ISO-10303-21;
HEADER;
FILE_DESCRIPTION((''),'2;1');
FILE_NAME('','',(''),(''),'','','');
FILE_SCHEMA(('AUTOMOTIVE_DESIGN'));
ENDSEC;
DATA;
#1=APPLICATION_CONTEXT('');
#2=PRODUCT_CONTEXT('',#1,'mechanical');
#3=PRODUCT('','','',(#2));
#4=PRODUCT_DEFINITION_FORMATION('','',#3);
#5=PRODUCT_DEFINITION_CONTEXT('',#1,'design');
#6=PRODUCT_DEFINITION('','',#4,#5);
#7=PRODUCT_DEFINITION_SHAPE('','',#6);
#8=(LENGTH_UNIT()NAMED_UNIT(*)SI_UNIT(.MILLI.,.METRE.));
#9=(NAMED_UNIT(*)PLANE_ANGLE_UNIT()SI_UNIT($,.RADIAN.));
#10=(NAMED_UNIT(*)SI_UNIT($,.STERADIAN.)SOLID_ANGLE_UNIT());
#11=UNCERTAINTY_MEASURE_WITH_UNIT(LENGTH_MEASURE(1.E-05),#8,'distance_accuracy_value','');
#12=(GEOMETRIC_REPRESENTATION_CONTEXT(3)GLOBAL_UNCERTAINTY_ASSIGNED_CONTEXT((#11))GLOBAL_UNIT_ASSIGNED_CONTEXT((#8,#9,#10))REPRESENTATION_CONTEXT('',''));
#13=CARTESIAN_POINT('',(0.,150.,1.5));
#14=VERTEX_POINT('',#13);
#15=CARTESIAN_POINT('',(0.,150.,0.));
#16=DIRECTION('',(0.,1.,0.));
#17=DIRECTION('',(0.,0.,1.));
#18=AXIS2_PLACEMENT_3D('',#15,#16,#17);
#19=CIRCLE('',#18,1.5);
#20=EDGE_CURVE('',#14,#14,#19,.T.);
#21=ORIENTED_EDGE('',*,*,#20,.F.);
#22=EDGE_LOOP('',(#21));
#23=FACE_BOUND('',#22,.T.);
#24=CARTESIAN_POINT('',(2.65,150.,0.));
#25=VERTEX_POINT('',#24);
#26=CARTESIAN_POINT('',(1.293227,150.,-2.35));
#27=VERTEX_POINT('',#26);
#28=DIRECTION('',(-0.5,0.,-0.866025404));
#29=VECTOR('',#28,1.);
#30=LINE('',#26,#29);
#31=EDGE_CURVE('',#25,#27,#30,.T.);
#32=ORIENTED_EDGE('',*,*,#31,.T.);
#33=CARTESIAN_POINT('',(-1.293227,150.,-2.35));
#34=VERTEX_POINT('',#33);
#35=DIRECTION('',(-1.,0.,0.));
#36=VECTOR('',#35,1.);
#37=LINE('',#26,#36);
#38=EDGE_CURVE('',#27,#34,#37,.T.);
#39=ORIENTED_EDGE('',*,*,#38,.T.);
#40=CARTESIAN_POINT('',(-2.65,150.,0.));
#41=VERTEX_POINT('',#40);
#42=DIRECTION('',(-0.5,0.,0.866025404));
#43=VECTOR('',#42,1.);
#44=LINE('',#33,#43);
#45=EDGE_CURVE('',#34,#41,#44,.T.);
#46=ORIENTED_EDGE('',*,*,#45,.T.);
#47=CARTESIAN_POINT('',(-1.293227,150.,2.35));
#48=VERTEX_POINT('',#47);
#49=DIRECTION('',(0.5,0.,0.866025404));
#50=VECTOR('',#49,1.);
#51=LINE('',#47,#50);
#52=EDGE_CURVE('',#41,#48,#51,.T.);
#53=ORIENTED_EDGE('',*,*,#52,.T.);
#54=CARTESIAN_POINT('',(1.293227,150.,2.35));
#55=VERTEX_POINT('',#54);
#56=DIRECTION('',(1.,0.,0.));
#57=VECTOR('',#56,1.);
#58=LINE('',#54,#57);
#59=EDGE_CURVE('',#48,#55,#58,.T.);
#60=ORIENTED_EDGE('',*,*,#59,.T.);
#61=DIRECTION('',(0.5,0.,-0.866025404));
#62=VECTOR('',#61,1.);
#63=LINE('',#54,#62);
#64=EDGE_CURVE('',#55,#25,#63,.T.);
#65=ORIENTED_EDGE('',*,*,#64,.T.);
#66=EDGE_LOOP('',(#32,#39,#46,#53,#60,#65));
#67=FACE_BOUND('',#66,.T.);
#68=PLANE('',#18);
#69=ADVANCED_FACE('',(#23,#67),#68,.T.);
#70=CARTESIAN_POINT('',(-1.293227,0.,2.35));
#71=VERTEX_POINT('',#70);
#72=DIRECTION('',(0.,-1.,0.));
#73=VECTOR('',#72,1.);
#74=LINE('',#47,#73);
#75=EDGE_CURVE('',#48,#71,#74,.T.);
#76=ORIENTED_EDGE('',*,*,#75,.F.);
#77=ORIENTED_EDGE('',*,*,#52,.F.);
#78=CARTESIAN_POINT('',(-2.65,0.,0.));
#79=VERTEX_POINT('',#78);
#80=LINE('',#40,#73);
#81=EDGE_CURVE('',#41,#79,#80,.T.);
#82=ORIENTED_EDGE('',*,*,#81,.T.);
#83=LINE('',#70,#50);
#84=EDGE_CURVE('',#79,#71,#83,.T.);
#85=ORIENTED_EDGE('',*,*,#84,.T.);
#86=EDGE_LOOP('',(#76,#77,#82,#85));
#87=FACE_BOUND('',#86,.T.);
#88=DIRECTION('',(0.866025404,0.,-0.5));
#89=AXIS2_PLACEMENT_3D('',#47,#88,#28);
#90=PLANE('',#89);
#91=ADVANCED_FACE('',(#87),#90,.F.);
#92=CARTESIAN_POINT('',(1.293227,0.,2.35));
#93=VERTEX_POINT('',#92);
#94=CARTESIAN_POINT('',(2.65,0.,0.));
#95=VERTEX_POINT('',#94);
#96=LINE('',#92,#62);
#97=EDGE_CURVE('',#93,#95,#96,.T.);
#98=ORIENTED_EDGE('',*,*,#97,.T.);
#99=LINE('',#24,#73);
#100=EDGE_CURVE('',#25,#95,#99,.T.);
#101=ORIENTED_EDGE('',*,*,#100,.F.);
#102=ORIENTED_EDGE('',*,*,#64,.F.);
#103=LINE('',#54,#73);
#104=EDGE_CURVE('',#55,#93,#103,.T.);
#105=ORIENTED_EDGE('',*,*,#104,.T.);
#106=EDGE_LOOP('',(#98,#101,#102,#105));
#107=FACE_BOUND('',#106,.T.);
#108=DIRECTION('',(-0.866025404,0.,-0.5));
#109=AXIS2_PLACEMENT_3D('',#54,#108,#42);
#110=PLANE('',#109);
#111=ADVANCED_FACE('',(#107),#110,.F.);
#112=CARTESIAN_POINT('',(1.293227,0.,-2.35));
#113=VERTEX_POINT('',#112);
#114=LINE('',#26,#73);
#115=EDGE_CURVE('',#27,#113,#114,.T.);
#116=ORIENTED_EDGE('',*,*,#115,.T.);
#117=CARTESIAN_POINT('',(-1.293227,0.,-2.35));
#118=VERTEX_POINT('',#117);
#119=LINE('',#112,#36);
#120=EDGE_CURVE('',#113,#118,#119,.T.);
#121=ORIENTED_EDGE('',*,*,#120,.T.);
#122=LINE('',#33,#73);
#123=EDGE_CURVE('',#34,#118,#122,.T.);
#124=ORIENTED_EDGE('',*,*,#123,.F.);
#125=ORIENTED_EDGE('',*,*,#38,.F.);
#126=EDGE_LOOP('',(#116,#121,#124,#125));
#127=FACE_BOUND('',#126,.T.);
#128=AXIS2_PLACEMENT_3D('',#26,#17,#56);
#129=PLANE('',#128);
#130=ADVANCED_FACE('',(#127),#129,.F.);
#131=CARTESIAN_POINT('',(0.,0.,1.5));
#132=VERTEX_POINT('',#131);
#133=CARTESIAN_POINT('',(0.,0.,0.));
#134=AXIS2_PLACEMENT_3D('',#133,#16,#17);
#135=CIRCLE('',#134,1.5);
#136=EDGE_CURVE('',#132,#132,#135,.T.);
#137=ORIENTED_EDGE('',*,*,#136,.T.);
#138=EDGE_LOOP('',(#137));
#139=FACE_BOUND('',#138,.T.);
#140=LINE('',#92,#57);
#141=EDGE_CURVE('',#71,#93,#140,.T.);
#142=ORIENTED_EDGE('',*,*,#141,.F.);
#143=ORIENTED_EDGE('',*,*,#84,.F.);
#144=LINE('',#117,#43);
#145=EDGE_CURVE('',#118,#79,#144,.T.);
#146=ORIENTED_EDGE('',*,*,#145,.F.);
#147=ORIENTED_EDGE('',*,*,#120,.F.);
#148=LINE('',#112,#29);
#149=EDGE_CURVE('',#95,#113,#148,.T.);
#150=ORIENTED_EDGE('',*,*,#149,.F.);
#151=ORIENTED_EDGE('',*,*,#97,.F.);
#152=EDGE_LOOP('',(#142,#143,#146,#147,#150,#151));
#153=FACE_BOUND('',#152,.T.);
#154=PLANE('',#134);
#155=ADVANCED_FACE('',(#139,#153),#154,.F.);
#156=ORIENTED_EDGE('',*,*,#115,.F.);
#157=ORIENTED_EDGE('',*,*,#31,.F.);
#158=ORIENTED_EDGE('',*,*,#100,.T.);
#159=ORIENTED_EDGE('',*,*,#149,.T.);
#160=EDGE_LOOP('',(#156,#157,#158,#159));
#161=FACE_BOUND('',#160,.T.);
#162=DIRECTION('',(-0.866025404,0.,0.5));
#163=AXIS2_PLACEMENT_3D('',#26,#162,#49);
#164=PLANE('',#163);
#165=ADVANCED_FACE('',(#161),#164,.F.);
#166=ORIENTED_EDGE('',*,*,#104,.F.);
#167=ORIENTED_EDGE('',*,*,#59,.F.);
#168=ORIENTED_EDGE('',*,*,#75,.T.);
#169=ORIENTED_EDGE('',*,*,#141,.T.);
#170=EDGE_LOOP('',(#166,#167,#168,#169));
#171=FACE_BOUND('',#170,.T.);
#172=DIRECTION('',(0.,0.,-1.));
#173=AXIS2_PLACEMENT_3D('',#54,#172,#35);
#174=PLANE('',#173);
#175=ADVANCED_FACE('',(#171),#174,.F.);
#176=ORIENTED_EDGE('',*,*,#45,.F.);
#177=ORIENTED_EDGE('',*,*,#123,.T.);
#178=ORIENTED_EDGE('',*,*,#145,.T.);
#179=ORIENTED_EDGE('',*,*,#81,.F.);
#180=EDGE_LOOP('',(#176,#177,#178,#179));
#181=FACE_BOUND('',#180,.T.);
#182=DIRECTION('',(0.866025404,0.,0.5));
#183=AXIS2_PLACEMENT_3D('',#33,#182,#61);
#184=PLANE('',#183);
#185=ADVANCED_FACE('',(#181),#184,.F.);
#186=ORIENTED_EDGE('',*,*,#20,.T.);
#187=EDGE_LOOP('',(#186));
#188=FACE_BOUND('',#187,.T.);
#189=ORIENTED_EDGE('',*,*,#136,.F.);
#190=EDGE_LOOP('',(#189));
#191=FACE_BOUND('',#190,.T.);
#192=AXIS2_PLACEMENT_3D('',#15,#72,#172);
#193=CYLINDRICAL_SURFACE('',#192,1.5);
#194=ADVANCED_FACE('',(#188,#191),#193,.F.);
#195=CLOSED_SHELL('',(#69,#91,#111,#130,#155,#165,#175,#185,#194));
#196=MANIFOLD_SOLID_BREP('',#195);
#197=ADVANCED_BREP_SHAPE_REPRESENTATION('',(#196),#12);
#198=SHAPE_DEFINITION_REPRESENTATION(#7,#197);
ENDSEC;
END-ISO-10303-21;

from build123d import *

# Parameters (mm, degrees)
SKETCH_1_R      = 1.5
EXTRUDE_1_DEPTH = 150


with BuildPart() as part:
    # 草图1 → 凸台-拉伸1 (new body)
    with BuildSketch(Plane(origin=(0, 0, 0), x_dir=(1, 0, 0), z_dir=(0, 1, 0))):
        Polygon((1.293226867, 2.35), (-1.293226867, 2.35), (-2.65, 0), (-1.293226867, -2.35), (1.293226867, -2.35), (2.65, 0), align=None)
        Circle(SKETCH_1_R, mode=Mode.SUBTRACT)
    extrude(amount=EXTRUDE_1_DEPTH)


solid = part.part
